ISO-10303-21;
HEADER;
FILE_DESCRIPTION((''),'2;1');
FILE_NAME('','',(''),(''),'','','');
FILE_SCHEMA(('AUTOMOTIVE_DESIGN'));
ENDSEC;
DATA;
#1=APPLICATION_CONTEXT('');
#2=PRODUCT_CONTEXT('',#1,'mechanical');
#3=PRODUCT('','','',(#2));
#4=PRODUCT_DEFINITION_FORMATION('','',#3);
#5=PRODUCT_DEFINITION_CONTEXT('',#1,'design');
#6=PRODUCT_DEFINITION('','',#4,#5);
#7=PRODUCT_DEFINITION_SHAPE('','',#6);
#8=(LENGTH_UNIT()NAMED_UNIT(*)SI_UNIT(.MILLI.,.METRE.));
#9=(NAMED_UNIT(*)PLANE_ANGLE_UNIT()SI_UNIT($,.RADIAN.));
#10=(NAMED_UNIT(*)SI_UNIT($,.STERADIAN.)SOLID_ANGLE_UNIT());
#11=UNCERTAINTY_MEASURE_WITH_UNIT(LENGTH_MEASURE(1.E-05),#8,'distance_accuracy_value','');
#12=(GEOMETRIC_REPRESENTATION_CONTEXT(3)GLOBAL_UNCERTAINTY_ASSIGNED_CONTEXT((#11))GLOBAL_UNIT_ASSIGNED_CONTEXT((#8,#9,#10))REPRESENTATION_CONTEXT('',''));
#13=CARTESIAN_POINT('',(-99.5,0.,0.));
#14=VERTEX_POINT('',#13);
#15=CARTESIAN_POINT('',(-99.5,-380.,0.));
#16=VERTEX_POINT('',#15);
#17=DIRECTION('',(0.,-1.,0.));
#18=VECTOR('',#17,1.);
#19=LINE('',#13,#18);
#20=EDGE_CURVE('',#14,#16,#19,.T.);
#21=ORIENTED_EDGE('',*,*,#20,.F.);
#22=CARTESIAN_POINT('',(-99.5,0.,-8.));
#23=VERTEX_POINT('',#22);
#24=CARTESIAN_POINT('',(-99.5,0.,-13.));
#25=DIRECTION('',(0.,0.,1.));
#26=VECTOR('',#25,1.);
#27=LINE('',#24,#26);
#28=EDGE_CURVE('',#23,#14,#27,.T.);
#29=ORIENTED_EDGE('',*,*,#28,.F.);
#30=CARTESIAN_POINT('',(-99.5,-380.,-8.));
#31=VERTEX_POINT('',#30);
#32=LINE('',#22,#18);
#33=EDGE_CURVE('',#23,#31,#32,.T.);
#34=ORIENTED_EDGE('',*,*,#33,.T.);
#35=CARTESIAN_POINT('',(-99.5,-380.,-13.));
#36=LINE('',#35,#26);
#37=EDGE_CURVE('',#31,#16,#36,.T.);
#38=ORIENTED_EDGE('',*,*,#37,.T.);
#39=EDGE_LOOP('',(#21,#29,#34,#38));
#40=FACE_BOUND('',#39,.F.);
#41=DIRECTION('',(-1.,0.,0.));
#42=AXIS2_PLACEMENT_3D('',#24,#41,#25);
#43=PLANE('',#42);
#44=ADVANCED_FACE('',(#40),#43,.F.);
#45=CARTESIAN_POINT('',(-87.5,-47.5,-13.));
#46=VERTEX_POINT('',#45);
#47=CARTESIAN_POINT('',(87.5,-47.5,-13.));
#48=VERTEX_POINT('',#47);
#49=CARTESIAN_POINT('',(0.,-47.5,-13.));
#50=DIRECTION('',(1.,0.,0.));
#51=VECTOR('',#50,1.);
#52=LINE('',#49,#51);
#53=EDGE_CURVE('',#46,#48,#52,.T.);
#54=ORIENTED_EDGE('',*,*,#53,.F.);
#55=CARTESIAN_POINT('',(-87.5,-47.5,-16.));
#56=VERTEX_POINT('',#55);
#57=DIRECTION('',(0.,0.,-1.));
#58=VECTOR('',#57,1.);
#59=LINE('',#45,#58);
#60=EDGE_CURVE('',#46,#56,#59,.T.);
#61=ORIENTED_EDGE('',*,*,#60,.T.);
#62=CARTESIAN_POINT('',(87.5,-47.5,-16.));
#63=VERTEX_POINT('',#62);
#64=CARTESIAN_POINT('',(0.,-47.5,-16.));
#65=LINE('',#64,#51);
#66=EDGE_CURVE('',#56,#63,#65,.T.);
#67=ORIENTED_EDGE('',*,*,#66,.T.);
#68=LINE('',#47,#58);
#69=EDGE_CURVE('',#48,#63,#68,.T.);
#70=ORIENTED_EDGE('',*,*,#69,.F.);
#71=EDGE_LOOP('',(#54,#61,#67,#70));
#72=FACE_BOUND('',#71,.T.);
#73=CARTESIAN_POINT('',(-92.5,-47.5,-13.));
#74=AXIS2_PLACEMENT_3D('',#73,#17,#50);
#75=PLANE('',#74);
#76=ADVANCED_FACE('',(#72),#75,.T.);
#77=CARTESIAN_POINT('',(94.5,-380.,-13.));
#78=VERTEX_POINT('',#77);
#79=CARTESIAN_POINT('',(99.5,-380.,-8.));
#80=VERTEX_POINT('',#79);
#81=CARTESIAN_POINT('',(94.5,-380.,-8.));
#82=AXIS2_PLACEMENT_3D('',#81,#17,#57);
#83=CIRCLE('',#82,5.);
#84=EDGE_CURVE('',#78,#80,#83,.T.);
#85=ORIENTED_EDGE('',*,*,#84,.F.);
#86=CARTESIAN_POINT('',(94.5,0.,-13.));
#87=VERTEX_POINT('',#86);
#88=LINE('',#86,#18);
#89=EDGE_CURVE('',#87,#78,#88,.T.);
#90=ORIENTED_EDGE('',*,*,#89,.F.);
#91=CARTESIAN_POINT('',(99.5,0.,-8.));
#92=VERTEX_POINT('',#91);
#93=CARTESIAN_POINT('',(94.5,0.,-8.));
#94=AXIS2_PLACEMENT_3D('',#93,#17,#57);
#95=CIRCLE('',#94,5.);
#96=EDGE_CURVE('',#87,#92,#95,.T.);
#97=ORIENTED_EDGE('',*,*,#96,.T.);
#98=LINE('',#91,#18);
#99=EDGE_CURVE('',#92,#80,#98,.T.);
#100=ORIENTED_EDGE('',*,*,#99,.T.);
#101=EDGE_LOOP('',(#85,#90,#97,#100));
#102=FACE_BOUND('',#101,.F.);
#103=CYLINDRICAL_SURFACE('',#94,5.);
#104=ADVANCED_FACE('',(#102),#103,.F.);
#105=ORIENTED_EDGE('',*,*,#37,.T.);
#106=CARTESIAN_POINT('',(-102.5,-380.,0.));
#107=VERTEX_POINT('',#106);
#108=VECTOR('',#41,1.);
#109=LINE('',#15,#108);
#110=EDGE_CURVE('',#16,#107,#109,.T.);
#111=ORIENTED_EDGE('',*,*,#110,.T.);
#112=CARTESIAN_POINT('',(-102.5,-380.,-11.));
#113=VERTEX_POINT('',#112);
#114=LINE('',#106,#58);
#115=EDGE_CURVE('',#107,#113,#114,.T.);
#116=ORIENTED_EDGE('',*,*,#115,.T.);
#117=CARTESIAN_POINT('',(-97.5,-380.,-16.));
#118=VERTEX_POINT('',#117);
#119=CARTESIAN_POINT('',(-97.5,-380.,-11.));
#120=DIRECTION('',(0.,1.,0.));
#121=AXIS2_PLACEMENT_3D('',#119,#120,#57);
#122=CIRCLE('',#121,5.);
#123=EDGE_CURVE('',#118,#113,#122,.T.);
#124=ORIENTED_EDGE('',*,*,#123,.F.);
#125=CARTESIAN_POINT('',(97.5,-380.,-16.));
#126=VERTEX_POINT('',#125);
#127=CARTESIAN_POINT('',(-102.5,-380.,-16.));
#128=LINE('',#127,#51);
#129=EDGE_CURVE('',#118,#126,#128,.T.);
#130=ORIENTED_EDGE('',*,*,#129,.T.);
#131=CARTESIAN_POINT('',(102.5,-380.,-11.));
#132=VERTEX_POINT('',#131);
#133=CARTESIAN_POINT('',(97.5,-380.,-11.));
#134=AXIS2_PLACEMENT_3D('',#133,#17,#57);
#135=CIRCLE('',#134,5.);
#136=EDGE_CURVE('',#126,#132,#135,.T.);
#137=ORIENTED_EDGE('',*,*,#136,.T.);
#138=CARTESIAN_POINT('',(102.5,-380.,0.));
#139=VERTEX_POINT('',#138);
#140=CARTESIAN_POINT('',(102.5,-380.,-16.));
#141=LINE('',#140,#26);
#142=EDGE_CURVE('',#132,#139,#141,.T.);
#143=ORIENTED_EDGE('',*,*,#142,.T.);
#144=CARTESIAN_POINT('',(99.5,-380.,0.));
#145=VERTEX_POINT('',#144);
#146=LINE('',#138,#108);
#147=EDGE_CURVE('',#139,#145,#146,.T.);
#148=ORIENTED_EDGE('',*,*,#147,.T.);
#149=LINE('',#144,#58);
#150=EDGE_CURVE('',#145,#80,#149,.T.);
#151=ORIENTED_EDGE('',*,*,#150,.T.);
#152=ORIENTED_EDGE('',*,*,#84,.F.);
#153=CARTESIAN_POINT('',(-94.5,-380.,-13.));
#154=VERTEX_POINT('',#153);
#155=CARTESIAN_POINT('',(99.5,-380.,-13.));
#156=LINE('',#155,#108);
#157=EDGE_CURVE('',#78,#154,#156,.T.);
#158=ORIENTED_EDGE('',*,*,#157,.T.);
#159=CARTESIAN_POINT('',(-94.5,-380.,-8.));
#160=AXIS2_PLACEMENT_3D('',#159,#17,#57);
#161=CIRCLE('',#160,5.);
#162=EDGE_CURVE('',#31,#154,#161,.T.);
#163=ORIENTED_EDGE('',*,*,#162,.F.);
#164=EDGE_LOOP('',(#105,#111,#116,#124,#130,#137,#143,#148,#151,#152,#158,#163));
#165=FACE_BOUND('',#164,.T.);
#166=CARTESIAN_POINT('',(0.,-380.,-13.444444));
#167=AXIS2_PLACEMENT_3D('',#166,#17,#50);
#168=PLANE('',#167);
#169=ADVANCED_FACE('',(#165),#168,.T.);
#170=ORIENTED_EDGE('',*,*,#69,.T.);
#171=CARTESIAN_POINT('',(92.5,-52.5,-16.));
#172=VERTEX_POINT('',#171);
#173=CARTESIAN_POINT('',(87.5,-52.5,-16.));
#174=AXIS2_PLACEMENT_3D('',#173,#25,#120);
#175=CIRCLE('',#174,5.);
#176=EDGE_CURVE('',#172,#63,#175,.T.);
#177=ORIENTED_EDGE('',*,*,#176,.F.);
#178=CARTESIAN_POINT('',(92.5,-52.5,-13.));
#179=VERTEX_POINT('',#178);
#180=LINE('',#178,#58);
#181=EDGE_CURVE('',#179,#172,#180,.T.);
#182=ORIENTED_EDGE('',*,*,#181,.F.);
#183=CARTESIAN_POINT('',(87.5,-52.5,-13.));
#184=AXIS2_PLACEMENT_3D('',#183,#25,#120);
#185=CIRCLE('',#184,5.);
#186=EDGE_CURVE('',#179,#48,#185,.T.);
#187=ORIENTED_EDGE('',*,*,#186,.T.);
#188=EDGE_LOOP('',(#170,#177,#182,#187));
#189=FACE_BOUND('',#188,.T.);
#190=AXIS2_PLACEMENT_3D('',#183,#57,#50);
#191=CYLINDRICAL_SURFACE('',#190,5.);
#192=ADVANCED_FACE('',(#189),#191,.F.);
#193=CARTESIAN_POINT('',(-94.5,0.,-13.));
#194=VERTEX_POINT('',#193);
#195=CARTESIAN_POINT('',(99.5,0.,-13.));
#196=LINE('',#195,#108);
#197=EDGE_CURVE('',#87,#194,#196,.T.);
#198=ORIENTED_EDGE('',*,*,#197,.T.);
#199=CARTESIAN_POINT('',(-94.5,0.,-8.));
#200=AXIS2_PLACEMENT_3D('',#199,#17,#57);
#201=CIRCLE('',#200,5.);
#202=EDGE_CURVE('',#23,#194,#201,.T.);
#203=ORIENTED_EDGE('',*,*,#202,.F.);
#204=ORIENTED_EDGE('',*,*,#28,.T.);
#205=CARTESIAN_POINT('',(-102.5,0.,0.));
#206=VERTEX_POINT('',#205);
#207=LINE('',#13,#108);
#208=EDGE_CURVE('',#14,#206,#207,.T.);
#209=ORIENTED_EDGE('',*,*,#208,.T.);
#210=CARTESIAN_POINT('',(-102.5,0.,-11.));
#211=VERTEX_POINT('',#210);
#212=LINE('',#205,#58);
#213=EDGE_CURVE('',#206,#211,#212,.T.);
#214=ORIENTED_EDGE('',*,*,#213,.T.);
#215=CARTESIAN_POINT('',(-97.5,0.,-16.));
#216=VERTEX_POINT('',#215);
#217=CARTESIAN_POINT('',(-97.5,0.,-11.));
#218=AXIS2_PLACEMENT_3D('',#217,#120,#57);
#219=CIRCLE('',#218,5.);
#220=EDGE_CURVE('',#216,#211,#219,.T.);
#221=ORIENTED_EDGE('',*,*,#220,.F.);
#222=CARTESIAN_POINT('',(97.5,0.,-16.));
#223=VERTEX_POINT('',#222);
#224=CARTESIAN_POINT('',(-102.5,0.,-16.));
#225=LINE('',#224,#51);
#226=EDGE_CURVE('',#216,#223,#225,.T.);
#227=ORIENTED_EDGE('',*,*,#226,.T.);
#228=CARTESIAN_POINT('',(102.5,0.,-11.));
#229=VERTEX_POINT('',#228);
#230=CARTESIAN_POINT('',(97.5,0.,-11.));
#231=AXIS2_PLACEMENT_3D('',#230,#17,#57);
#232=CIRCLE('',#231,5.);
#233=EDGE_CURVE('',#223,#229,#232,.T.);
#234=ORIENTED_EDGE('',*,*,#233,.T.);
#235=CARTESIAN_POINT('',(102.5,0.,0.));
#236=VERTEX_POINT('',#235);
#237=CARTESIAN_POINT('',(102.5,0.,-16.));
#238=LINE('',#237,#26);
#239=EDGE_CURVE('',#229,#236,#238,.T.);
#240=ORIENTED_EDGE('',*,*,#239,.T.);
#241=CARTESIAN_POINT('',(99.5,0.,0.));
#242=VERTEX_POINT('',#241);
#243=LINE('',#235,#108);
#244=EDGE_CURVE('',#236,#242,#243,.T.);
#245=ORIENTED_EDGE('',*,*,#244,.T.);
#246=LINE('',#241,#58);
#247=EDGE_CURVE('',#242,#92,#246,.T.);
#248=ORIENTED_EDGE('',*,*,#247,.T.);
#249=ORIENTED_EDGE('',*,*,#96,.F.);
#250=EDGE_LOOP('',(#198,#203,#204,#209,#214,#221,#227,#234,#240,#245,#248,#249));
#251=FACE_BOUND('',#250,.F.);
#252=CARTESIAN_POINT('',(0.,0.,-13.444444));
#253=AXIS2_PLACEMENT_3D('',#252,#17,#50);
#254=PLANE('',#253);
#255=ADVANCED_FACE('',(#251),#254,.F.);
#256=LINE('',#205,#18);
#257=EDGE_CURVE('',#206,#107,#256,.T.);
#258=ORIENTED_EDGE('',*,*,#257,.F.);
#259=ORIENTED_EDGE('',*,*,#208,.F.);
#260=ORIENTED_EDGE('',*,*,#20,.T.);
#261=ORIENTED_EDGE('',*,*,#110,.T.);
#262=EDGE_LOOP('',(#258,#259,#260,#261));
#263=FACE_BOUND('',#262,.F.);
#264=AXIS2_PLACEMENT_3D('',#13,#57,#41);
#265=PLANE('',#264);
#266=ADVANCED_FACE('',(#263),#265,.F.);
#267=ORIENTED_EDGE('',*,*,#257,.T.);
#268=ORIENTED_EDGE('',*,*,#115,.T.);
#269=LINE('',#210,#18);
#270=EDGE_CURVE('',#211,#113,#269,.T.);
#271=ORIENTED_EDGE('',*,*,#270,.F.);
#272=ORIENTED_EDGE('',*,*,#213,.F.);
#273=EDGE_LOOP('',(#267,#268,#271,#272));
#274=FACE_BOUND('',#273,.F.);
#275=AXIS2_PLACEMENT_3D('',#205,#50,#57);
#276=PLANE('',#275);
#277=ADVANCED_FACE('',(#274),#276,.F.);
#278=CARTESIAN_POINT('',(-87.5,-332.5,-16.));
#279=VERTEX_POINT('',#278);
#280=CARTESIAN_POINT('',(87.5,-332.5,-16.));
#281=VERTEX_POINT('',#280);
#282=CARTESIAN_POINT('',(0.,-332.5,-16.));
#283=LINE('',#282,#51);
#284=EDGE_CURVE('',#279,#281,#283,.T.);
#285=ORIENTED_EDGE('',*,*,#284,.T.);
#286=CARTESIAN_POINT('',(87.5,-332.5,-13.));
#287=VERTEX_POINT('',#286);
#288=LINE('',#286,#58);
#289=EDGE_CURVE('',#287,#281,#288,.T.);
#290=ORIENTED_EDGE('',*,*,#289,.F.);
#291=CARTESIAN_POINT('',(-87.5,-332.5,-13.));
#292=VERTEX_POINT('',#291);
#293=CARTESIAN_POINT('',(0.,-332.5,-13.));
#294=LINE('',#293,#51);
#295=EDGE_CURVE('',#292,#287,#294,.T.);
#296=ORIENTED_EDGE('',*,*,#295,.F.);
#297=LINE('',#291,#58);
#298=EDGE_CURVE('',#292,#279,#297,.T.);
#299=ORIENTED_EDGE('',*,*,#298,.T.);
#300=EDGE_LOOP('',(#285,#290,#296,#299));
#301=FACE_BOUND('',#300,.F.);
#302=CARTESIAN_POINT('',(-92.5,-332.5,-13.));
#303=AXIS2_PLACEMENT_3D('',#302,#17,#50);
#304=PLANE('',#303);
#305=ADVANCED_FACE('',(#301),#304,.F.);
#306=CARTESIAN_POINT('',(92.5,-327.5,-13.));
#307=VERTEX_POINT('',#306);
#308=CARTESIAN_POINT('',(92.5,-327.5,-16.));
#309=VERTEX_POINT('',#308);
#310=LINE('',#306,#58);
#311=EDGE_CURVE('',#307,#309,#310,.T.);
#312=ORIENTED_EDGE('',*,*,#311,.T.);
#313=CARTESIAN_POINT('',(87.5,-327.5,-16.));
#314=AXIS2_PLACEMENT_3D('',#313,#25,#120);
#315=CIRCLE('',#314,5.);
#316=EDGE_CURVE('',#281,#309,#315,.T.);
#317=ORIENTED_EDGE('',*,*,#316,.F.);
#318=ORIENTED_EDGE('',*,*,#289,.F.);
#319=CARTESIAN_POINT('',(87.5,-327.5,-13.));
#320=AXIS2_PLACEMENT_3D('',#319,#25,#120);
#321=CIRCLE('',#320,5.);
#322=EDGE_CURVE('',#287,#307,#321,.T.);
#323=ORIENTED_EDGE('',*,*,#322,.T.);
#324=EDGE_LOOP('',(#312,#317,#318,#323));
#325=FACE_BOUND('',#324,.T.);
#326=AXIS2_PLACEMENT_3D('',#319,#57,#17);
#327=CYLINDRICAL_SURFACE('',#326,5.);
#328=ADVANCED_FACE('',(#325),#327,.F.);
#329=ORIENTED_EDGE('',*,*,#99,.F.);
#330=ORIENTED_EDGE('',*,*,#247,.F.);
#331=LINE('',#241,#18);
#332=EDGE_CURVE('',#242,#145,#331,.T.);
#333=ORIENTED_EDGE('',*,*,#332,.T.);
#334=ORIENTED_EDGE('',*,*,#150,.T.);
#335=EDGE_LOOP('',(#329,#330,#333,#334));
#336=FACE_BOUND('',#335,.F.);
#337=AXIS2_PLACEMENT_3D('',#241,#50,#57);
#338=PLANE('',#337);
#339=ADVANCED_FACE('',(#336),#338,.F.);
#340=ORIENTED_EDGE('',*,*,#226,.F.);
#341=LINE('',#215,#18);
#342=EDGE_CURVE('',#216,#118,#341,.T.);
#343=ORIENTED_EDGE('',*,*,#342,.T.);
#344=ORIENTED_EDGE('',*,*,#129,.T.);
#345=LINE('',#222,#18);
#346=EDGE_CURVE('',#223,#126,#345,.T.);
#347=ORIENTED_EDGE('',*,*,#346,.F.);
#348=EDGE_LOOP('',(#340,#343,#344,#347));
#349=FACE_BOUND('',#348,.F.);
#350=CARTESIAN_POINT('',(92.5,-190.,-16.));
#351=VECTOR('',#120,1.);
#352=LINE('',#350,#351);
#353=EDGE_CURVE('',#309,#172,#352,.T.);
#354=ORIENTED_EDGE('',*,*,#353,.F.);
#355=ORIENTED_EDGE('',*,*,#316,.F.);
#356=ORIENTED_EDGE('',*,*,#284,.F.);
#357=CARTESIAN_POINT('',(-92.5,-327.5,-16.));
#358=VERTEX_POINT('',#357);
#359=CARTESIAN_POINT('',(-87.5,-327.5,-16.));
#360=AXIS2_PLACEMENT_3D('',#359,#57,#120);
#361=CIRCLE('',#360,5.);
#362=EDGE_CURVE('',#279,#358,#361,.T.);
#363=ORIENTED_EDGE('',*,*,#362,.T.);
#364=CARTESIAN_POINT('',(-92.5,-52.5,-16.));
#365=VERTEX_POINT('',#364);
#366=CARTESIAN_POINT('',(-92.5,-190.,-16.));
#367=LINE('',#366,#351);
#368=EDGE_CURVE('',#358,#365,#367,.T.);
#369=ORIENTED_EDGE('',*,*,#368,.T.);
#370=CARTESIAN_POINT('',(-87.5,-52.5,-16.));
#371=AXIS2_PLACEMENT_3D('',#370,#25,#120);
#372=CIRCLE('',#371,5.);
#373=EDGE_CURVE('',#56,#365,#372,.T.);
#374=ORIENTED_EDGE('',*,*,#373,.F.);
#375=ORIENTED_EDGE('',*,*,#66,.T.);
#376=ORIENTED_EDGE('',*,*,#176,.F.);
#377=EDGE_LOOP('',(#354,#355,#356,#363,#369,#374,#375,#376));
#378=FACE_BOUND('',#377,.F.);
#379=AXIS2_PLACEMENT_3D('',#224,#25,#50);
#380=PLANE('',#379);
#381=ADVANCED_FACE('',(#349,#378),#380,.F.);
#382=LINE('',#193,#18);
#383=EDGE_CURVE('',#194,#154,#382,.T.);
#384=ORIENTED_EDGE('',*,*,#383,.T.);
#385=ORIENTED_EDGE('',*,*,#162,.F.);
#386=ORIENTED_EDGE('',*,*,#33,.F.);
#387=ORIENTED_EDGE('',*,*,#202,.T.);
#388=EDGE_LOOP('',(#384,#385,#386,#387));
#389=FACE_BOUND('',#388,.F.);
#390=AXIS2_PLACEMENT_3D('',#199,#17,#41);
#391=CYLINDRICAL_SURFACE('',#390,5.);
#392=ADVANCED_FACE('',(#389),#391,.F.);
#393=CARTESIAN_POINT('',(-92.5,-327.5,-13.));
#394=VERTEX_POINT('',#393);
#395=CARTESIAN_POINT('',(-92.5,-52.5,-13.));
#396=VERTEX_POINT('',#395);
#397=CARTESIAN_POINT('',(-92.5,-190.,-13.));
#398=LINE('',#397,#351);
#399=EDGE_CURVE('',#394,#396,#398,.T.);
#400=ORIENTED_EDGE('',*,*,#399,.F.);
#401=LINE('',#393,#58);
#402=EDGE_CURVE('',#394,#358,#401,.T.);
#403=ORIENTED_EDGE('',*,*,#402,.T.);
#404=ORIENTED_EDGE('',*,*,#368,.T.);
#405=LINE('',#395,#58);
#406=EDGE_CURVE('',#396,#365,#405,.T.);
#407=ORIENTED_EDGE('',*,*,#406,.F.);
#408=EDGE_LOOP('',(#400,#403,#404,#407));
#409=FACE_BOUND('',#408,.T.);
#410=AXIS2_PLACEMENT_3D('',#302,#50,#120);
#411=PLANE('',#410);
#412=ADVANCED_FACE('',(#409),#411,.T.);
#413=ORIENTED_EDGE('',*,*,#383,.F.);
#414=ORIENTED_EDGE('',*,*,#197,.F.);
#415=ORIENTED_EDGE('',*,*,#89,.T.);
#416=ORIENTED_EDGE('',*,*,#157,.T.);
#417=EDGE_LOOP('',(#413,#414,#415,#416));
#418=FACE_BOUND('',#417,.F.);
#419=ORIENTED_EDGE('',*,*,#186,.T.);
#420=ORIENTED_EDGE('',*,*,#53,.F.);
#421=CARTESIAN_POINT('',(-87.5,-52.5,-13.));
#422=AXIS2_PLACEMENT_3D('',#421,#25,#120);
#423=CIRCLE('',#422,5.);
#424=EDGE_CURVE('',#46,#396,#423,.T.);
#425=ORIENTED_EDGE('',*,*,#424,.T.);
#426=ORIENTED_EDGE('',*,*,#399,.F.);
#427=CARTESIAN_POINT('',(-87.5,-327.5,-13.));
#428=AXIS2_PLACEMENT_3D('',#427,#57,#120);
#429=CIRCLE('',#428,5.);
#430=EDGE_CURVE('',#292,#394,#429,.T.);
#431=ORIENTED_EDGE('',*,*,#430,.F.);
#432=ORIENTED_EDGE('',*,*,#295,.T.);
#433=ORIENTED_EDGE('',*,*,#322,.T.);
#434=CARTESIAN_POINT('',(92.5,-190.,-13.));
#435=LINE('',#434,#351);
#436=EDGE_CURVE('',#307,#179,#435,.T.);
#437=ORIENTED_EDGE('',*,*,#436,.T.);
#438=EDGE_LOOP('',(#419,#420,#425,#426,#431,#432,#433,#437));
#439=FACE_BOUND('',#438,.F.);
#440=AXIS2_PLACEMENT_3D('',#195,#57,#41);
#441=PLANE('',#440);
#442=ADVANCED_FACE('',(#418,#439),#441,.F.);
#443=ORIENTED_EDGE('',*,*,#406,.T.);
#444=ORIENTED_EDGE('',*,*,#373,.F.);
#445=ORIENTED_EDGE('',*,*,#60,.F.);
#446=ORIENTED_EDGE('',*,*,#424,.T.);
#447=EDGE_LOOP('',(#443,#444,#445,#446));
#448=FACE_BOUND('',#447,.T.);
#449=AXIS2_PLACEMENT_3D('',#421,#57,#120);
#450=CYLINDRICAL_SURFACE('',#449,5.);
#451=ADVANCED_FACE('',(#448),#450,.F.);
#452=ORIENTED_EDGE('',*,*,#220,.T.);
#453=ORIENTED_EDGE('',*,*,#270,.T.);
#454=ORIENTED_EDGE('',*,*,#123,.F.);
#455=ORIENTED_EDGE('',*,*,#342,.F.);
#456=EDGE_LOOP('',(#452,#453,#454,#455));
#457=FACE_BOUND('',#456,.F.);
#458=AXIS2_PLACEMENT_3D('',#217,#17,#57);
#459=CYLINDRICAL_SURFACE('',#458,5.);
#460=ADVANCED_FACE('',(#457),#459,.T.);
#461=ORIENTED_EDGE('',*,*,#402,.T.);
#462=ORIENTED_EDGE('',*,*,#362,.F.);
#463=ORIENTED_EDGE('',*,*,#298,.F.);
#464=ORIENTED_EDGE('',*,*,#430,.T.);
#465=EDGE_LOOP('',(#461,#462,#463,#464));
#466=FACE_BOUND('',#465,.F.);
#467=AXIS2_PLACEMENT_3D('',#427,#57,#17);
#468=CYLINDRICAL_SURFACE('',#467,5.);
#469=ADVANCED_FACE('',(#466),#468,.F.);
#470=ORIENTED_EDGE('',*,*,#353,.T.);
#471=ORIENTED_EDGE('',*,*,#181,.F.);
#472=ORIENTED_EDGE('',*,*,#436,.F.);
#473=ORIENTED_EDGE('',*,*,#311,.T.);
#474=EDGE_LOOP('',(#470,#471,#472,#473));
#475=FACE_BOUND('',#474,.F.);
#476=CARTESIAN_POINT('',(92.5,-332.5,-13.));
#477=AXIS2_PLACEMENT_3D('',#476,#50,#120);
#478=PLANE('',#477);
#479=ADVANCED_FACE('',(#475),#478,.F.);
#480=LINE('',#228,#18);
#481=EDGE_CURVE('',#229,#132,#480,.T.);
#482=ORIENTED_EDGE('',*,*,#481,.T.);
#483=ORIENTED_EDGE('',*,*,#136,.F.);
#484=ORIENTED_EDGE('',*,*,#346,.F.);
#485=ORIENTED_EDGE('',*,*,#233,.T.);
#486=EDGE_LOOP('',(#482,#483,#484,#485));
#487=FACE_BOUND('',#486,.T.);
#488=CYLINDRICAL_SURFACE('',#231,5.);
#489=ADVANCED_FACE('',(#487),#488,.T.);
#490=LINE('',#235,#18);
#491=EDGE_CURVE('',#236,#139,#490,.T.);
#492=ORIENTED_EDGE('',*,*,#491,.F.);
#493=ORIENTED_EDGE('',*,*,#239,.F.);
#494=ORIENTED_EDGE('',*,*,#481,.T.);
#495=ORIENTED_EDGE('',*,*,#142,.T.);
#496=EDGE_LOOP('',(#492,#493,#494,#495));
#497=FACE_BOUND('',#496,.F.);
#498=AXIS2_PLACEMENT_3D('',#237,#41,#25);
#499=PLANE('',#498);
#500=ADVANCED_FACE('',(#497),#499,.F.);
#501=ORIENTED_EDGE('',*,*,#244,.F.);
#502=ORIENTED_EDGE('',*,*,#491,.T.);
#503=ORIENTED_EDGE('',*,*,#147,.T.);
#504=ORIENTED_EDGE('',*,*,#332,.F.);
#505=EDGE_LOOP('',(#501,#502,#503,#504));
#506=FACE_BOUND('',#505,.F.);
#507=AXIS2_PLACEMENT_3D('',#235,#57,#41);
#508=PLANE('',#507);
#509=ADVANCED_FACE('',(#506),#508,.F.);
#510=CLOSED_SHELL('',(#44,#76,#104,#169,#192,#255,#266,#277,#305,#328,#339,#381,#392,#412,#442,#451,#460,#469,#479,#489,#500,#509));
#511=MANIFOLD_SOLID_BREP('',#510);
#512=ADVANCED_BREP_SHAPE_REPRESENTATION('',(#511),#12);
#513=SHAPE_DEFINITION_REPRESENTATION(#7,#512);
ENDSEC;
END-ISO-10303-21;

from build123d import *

# Parameters (mm, degrees)
F1_DEPTH = 380
F2_W     = 185
F2_H     = 285
F3_DEPTH = 3
F4_R     = 5
F5_R     = 5
F6_R     = 5


with BuildPart() as f1:
    # F0 (on Front) → F1 (new body)
    with BuildSketch(Plane.XZ):
        Polygon((-102.5, 0), (-102.5, -16), (102.5, -16), (102.5, 0), (99.5, 0), (99.5, -13), (-99.5, -13), (-99.5, 0), align=None)
    extrude(amount=F1_DEPTH)

    # F2 (on face) → F3 (cut)
    with BuildSketch(Plane.XY.offset(-13)):
        with Locations((0, -190)):
            Rectangle(F2_W, F2_H)
    extrude(amount=-F3_DEPTH, mode=Mode.SUBTRACT)

    # F4
    f4_edges = [f1.edges().sort_by_distance(p)[0] for p in [
        (-92.5, -47.5, -14.5),
        (92.5, -47.5, -14.5),
        (-92.5, -332.5, -14.5),
        (92.5, -332.5, -14.5),
    ]]
    fillet(f4_edges, radius=F4_R)

    # F5
    f5_edges = [f1.edges().sort_by_distance(p)[0] for p in [
        (102.5, -190, -16),
        (-102.5, -190, -16),
    ]]
    fillet(f5_edges, radius=F5_R)

    # F6
    f6_edges = [f1.edges().sort_by_distance(p)[0] for p in [
        (-99.5, -190, -13),
        (99.5, -190, -13),
    ]]
    fillet(f6_edges, radius=F6_R)


solid = f1.part
